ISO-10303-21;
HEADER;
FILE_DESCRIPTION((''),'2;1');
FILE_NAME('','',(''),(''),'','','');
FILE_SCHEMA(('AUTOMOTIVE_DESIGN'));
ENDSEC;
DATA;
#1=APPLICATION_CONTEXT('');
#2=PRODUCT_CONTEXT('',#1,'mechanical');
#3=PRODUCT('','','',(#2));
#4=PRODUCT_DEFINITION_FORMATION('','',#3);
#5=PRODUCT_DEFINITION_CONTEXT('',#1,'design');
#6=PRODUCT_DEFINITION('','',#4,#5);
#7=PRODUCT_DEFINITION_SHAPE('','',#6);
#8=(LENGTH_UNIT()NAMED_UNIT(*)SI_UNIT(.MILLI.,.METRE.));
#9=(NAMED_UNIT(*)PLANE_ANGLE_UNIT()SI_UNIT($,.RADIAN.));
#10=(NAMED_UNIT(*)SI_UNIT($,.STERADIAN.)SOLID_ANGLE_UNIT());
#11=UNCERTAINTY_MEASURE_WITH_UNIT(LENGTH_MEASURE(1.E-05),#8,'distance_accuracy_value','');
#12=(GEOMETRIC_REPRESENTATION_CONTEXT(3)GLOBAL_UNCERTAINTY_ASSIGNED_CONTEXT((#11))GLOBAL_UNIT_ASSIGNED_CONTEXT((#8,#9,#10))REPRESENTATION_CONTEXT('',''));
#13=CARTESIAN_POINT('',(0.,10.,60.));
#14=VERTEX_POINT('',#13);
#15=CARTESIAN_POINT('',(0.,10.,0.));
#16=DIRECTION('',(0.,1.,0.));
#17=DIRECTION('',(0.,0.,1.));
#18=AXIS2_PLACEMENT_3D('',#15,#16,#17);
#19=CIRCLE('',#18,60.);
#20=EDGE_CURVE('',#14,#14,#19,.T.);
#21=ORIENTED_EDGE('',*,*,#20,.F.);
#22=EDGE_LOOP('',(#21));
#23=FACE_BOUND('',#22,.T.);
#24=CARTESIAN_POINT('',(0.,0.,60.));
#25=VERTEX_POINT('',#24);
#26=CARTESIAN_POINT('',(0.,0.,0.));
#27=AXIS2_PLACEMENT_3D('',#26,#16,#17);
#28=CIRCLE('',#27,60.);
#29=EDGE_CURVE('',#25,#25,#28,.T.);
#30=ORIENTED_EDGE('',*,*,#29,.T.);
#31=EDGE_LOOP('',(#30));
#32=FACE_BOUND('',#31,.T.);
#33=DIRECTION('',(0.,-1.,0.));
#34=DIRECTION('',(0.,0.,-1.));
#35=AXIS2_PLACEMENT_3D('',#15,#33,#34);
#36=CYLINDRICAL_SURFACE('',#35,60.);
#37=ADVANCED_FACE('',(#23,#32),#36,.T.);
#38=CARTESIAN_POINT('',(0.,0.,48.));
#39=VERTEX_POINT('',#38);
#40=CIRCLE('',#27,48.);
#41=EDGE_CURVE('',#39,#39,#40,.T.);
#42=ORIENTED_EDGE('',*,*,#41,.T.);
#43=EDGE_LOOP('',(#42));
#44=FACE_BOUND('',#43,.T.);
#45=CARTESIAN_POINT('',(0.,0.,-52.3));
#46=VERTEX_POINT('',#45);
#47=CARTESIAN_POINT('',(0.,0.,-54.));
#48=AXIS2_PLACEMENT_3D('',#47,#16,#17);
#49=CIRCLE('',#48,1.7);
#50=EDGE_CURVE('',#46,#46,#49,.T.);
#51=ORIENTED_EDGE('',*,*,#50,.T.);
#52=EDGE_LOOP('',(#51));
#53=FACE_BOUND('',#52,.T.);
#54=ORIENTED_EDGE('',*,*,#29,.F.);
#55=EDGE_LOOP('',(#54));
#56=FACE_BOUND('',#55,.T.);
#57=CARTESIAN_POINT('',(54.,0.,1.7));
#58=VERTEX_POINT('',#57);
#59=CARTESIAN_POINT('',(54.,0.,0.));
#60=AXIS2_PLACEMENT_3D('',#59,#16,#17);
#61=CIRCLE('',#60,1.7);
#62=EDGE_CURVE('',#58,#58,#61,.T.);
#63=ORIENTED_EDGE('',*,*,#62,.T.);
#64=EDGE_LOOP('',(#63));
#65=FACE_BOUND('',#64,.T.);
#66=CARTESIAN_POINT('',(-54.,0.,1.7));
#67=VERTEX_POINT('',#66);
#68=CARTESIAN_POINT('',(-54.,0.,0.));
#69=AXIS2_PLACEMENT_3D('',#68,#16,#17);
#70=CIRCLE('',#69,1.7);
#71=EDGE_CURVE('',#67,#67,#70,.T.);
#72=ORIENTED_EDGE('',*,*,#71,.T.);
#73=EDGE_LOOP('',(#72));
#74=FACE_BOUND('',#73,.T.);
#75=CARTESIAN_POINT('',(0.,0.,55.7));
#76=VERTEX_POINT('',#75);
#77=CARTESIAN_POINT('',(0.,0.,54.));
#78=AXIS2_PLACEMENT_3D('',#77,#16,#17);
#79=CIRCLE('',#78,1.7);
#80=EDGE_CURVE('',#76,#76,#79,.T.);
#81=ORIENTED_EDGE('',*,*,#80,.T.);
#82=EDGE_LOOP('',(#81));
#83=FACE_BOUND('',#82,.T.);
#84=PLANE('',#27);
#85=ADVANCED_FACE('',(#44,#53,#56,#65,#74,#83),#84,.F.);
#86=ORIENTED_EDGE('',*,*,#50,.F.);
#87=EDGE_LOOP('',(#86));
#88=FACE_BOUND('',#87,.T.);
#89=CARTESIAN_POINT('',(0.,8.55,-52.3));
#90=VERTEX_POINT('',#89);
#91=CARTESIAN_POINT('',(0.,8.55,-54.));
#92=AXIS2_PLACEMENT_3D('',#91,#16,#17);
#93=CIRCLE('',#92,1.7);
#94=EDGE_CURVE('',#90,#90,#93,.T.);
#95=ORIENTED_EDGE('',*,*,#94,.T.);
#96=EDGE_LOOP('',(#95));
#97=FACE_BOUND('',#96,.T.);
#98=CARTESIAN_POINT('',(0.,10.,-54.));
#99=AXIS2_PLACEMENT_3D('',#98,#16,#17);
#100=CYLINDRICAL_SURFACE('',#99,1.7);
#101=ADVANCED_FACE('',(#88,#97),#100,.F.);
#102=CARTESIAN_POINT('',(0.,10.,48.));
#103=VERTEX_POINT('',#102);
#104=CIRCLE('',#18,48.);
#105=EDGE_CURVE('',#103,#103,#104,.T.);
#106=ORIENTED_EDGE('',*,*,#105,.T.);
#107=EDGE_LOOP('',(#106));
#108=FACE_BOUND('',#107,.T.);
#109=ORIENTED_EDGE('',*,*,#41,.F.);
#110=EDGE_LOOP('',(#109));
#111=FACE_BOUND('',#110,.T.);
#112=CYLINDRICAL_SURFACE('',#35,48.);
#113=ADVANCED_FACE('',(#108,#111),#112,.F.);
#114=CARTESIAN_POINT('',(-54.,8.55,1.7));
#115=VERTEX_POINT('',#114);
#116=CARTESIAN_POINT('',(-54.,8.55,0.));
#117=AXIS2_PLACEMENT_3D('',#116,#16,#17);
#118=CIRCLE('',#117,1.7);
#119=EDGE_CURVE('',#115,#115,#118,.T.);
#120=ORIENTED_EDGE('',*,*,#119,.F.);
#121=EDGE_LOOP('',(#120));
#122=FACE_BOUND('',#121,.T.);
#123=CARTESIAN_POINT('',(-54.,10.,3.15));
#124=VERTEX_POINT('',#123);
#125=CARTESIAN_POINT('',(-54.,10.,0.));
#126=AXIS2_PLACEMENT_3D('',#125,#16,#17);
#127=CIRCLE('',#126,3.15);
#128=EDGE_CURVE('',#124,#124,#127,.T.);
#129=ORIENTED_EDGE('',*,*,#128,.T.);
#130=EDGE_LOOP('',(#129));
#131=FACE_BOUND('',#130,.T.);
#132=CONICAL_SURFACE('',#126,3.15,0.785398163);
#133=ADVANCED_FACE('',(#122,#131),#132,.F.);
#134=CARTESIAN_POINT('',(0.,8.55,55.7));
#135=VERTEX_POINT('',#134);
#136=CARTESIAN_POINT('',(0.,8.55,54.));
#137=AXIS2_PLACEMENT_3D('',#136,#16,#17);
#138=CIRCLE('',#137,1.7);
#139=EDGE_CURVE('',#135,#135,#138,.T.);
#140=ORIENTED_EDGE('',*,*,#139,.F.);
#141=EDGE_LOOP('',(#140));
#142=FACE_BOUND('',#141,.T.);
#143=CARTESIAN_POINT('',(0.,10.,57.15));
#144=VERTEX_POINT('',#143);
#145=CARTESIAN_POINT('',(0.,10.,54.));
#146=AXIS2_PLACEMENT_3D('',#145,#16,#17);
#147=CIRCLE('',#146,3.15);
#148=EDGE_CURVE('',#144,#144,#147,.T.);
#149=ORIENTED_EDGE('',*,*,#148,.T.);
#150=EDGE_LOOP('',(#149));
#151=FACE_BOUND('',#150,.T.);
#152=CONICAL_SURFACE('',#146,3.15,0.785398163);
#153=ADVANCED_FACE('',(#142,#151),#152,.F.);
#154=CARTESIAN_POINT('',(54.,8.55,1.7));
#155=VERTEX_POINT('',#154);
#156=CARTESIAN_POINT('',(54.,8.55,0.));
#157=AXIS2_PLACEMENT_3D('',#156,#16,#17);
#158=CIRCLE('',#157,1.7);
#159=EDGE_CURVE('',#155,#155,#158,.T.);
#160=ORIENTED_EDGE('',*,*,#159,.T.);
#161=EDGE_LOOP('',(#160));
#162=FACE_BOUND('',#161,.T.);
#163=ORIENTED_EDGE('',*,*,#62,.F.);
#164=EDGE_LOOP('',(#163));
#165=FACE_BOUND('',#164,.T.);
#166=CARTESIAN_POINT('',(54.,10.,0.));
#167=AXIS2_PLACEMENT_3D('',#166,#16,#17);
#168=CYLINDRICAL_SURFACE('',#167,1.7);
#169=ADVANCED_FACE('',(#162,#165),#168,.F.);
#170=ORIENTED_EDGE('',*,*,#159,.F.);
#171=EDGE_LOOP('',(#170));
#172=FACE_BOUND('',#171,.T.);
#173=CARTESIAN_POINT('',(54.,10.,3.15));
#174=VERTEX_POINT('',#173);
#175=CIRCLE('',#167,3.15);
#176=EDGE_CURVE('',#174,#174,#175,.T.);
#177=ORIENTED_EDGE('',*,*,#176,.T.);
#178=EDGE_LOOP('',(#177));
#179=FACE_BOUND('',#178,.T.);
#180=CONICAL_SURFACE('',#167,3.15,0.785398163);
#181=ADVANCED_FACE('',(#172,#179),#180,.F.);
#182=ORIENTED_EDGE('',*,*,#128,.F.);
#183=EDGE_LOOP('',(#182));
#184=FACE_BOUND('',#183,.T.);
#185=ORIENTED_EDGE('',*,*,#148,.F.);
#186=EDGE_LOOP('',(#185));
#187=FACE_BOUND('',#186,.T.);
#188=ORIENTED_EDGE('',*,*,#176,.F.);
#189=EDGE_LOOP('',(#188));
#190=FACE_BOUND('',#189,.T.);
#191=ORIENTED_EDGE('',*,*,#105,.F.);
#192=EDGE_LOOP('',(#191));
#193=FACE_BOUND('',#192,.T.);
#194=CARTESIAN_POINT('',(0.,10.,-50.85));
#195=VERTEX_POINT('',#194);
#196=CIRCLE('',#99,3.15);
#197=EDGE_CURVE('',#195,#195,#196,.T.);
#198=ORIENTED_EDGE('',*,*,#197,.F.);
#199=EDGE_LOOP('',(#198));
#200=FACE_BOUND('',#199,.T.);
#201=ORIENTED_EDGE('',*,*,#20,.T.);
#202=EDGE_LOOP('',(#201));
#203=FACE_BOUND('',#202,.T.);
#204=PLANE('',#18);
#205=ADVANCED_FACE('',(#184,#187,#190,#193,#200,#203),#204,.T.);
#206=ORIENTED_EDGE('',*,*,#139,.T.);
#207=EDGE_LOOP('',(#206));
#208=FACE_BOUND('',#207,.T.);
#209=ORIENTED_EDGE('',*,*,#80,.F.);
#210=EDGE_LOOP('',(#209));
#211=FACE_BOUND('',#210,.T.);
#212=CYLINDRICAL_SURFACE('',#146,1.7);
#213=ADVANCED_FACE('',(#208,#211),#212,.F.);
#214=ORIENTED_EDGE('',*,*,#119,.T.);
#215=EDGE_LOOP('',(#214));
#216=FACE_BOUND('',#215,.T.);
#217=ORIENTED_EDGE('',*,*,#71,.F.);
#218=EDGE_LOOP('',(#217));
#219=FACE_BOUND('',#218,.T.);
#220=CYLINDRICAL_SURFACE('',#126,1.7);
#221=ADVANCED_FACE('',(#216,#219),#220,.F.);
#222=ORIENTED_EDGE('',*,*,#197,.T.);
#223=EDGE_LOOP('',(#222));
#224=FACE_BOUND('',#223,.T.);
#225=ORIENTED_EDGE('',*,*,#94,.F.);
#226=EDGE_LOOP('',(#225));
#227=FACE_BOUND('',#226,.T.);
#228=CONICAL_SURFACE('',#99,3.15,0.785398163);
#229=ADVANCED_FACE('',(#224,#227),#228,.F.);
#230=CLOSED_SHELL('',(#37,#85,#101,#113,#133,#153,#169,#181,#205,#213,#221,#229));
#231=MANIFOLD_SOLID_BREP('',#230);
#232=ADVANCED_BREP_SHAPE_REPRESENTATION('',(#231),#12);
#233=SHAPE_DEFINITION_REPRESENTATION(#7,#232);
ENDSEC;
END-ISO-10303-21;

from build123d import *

# Parameters (mm, degrees)
SCHIZZO1_R                             = 60
SCHIZZO1_R_2                           = 48
ESTRUSIONE_ESTRUSIONE1_DEPTH           = 10
FORO_SVASATO_PER_VITE_M3_1_D           = 3.4
FORO_SVASATO_PER_VITE_M3_1_DEPTH       = 188
FORO_SVASATO_PER_VITE_M3_1_CSINK_D     = 6.3
FORO_SVASATO_PER_VITE_M3_1_CSINK_ANGLE = 90
FORO_SVASATO_PER_VITE_M3_1_TIP         = 1.021463052


with BuildPart() as part:
    # Schizzo1 → Estrusione-Estrusione1 (new body)
    with BuildSketch(Plane(origin=(0, 0, 0), x_dir=(1, 0, 0), z_dir=(0, 1, 0))):
        with Locations(Location((0, 0, 0), (0, 0, 270))):
            Circle(SCHIZZO1_R)
        with Locations(Location((0, 0, 0), (0, 0, 270))):
            Circle(SCHIZZO1_R_2, mode=Mode.SUBTRACT)
    extrude(amount=ESTRUSIONE_ESTRUSIONE1_DEPTH)

    # Foro svasato per Vite M3-1
    with Locations(Plane(origin=(0, 10, 54), x_dir=(0, 0, 1), z_dir=(0, 1, 0))):
        with Locations((0, 0), (-54, 54), (-108, 0), (-54, -54)):
            CounterSinkHole(FORO_SVASATO_PER_VITE_M3_1_D / 2, FORO_SVASATO_PER_VITE_M3_1_CSINK_D / 2, depth=FORO_SVASATO_PER_VITE_M3_1_DEPTH, counter_sink_angle=FORO_SVASATO_PER_VITE_M3_1_CSINK_ANGLE)
            with Locations((0, 0, -(FORO_SVASATO_PER_VITE_M3_1_DEPTH + FORO_SVASATO_PER_VITE_M3_1_TIP / 2))):  # 118° drill point
                Cone(0, FORO_SVASATO_PER_VITE_M3_1_D / 2, FORO_SVASATO_PER_VITE_M3_1_TIP, mode=Mode.SUBTRACT)


solid = part.part
